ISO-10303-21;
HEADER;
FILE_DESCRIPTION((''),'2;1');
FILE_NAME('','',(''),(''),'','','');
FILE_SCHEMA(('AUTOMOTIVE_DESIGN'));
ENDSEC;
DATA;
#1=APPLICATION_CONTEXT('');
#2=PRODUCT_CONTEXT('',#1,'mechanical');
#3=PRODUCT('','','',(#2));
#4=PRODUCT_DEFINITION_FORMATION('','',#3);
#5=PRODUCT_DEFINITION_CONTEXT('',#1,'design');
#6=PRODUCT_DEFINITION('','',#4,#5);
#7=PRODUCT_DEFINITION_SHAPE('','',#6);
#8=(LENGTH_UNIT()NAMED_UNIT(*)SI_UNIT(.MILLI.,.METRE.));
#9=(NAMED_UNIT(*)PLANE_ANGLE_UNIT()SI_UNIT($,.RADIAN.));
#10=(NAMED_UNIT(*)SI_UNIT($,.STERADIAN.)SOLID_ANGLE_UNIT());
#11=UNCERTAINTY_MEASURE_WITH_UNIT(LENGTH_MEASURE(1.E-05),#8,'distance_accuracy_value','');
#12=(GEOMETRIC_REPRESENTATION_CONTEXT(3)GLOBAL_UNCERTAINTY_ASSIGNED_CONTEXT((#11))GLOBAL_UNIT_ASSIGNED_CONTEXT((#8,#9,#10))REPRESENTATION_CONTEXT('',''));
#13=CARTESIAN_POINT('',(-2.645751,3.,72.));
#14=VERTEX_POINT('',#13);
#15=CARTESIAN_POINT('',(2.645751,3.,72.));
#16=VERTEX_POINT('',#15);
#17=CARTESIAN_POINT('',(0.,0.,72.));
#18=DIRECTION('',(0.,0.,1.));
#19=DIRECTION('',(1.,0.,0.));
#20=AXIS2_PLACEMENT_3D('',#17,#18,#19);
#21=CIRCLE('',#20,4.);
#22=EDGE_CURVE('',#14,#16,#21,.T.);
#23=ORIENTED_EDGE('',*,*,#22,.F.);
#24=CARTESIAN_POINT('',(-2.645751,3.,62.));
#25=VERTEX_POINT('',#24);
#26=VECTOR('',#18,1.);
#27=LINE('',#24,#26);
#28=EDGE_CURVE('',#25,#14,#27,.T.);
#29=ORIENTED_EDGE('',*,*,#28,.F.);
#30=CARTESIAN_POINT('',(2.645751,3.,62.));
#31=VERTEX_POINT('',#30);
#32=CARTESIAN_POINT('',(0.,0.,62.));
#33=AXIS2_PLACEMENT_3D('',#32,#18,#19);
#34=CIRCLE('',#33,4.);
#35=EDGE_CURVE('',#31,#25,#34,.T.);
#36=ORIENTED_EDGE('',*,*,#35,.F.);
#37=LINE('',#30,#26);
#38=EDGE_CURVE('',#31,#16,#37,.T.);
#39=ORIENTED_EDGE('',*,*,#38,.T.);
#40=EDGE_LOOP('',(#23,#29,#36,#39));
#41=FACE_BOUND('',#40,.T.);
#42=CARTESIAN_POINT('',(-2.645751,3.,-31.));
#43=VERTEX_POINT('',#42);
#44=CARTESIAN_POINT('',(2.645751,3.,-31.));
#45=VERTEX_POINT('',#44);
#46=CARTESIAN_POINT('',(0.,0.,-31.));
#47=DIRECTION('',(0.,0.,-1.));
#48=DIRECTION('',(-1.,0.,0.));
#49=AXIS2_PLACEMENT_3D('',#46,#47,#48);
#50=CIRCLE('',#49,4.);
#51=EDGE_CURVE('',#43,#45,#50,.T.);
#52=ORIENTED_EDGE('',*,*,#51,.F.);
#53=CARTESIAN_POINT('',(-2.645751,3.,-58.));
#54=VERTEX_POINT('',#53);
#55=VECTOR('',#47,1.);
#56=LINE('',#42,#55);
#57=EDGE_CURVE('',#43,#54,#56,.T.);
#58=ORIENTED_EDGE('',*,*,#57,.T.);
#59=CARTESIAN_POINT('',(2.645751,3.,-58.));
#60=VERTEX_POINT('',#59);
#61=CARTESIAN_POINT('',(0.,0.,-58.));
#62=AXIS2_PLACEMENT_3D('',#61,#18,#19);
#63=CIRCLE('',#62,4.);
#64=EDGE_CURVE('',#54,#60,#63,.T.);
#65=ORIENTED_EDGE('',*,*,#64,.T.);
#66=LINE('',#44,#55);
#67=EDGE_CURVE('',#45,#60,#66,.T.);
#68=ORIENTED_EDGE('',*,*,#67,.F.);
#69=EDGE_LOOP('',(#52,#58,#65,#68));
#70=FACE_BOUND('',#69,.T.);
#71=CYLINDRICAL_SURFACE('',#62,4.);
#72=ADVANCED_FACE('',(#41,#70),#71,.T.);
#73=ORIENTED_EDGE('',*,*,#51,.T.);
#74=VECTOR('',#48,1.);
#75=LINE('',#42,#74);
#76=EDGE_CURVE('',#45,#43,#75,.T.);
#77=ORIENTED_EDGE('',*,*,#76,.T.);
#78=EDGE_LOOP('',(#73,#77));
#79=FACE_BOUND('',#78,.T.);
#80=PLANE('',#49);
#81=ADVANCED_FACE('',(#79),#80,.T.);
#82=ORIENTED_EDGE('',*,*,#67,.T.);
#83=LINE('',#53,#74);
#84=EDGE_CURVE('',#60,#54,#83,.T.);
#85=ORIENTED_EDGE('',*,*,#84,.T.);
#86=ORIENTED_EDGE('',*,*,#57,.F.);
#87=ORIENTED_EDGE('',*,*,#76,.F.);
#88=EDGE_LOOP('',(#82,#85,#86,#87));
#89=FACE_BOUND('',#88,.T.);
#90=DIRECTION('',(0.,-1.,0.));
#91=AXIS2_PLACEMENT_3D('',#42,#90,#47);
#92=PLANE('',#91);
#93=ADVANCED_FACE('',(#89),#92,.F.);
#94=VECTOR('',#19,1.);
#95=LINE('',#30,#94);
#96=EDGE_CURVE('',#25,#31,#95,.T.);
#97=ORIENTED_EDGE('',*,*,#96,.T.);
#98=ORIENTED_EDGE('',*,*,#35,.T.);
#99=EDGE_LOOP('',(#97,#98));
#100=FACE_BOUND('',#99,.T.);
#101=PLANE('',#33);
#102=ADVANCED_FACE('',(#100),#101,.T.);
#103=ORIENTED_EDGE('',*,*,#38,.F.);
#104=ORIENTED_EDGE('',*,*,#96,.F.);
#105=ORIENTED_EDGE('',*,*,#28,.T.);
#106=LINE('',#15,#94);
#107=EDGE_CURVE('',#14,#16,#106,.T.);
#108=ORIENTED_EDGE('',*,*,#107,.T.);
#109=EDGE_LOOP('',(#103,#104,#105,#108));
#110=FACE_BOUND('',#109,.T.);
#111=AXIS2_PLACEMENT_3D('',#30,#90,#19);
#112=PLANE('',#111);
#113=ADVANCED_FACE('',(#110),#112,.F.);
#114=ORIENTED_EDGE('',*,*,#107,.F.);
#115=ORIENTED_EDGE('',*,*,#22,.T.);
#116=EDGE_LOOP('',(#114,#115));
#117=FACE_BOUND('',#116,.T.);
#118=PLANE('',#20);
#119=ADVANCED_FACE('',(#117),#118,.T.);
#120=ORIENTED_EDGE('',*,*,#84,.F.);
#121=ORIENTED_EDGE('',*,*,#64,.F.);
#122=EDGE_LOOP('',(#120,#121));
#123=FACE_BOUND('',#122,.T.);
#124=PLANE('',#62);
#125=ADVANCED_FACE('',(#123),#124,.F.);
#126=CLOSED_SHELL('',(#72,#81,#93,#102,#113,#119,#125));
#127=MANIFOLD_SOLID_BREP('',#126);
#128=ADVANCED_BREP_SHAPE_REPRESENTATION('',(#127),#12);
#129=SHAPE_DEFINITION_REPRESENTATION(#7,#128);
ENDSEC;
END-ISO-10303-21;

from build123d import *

# Parameters (mm, degrees)
ESBO_O1_R                     = 4
RESSALTO_EXTRUS_O1_DEPTH      = 72
RESSALTO_EXTRUS_O1_DEPTH_BACK = 58
CORTE_EXTRUS_O1_DEPTH         = 10
CORTE_EXTRUS_O2_DEPTH         = 27


with BuildPart() as part:
    # Esboço1 → Ressalto-extrusão1 (new body, two sides)
    with BuildSketch(Plane.XY) as ressalto_extrus_o1_sk:
        Circle(ESBO_O1_R)
    extrude(amount=RESSALTO_EXTRUS_O1_DEPTH)
    extrude(ressalto_extrus_o1_sk.sketch, amount=-RESSALTO_EXTRUS_O1_DEPTH_BACK)

    # Esboço2 → Corte-extrusão1 (cut)
    with BuildSketch(Plane.XY.offset(72)):
        with BuildLine():
            Line((2.645751311, 3), (-2.645751311, 3))
            ThreePointArc((-2.645751311, 3), (0, 4), (2.645751311, 3))
        make_face()
    extrude(amount=-CORTE_EXTRUS_O1_DEPTH, mode=Mode.SUBTRACT)

    # Esboço6 → Corte-extrusão2 (cut)
    with BuildSketch(Plane(origin=(0, 0, -58), x_dir=(-1, 0, 0), z_dir=(0, 0, -1))):
        with BuildLine():
            Line((2.645751311, 3), (-2.645751311, 3))
            ThreePointArc((-2.645751311, 3), (0, 4), (2.645751311, 3))
        make_face()
    extrude(amount=-CORTE_EXTRUS_O2_DEPTH, mode=Mode.SUBTRACT)


solid = part.part
